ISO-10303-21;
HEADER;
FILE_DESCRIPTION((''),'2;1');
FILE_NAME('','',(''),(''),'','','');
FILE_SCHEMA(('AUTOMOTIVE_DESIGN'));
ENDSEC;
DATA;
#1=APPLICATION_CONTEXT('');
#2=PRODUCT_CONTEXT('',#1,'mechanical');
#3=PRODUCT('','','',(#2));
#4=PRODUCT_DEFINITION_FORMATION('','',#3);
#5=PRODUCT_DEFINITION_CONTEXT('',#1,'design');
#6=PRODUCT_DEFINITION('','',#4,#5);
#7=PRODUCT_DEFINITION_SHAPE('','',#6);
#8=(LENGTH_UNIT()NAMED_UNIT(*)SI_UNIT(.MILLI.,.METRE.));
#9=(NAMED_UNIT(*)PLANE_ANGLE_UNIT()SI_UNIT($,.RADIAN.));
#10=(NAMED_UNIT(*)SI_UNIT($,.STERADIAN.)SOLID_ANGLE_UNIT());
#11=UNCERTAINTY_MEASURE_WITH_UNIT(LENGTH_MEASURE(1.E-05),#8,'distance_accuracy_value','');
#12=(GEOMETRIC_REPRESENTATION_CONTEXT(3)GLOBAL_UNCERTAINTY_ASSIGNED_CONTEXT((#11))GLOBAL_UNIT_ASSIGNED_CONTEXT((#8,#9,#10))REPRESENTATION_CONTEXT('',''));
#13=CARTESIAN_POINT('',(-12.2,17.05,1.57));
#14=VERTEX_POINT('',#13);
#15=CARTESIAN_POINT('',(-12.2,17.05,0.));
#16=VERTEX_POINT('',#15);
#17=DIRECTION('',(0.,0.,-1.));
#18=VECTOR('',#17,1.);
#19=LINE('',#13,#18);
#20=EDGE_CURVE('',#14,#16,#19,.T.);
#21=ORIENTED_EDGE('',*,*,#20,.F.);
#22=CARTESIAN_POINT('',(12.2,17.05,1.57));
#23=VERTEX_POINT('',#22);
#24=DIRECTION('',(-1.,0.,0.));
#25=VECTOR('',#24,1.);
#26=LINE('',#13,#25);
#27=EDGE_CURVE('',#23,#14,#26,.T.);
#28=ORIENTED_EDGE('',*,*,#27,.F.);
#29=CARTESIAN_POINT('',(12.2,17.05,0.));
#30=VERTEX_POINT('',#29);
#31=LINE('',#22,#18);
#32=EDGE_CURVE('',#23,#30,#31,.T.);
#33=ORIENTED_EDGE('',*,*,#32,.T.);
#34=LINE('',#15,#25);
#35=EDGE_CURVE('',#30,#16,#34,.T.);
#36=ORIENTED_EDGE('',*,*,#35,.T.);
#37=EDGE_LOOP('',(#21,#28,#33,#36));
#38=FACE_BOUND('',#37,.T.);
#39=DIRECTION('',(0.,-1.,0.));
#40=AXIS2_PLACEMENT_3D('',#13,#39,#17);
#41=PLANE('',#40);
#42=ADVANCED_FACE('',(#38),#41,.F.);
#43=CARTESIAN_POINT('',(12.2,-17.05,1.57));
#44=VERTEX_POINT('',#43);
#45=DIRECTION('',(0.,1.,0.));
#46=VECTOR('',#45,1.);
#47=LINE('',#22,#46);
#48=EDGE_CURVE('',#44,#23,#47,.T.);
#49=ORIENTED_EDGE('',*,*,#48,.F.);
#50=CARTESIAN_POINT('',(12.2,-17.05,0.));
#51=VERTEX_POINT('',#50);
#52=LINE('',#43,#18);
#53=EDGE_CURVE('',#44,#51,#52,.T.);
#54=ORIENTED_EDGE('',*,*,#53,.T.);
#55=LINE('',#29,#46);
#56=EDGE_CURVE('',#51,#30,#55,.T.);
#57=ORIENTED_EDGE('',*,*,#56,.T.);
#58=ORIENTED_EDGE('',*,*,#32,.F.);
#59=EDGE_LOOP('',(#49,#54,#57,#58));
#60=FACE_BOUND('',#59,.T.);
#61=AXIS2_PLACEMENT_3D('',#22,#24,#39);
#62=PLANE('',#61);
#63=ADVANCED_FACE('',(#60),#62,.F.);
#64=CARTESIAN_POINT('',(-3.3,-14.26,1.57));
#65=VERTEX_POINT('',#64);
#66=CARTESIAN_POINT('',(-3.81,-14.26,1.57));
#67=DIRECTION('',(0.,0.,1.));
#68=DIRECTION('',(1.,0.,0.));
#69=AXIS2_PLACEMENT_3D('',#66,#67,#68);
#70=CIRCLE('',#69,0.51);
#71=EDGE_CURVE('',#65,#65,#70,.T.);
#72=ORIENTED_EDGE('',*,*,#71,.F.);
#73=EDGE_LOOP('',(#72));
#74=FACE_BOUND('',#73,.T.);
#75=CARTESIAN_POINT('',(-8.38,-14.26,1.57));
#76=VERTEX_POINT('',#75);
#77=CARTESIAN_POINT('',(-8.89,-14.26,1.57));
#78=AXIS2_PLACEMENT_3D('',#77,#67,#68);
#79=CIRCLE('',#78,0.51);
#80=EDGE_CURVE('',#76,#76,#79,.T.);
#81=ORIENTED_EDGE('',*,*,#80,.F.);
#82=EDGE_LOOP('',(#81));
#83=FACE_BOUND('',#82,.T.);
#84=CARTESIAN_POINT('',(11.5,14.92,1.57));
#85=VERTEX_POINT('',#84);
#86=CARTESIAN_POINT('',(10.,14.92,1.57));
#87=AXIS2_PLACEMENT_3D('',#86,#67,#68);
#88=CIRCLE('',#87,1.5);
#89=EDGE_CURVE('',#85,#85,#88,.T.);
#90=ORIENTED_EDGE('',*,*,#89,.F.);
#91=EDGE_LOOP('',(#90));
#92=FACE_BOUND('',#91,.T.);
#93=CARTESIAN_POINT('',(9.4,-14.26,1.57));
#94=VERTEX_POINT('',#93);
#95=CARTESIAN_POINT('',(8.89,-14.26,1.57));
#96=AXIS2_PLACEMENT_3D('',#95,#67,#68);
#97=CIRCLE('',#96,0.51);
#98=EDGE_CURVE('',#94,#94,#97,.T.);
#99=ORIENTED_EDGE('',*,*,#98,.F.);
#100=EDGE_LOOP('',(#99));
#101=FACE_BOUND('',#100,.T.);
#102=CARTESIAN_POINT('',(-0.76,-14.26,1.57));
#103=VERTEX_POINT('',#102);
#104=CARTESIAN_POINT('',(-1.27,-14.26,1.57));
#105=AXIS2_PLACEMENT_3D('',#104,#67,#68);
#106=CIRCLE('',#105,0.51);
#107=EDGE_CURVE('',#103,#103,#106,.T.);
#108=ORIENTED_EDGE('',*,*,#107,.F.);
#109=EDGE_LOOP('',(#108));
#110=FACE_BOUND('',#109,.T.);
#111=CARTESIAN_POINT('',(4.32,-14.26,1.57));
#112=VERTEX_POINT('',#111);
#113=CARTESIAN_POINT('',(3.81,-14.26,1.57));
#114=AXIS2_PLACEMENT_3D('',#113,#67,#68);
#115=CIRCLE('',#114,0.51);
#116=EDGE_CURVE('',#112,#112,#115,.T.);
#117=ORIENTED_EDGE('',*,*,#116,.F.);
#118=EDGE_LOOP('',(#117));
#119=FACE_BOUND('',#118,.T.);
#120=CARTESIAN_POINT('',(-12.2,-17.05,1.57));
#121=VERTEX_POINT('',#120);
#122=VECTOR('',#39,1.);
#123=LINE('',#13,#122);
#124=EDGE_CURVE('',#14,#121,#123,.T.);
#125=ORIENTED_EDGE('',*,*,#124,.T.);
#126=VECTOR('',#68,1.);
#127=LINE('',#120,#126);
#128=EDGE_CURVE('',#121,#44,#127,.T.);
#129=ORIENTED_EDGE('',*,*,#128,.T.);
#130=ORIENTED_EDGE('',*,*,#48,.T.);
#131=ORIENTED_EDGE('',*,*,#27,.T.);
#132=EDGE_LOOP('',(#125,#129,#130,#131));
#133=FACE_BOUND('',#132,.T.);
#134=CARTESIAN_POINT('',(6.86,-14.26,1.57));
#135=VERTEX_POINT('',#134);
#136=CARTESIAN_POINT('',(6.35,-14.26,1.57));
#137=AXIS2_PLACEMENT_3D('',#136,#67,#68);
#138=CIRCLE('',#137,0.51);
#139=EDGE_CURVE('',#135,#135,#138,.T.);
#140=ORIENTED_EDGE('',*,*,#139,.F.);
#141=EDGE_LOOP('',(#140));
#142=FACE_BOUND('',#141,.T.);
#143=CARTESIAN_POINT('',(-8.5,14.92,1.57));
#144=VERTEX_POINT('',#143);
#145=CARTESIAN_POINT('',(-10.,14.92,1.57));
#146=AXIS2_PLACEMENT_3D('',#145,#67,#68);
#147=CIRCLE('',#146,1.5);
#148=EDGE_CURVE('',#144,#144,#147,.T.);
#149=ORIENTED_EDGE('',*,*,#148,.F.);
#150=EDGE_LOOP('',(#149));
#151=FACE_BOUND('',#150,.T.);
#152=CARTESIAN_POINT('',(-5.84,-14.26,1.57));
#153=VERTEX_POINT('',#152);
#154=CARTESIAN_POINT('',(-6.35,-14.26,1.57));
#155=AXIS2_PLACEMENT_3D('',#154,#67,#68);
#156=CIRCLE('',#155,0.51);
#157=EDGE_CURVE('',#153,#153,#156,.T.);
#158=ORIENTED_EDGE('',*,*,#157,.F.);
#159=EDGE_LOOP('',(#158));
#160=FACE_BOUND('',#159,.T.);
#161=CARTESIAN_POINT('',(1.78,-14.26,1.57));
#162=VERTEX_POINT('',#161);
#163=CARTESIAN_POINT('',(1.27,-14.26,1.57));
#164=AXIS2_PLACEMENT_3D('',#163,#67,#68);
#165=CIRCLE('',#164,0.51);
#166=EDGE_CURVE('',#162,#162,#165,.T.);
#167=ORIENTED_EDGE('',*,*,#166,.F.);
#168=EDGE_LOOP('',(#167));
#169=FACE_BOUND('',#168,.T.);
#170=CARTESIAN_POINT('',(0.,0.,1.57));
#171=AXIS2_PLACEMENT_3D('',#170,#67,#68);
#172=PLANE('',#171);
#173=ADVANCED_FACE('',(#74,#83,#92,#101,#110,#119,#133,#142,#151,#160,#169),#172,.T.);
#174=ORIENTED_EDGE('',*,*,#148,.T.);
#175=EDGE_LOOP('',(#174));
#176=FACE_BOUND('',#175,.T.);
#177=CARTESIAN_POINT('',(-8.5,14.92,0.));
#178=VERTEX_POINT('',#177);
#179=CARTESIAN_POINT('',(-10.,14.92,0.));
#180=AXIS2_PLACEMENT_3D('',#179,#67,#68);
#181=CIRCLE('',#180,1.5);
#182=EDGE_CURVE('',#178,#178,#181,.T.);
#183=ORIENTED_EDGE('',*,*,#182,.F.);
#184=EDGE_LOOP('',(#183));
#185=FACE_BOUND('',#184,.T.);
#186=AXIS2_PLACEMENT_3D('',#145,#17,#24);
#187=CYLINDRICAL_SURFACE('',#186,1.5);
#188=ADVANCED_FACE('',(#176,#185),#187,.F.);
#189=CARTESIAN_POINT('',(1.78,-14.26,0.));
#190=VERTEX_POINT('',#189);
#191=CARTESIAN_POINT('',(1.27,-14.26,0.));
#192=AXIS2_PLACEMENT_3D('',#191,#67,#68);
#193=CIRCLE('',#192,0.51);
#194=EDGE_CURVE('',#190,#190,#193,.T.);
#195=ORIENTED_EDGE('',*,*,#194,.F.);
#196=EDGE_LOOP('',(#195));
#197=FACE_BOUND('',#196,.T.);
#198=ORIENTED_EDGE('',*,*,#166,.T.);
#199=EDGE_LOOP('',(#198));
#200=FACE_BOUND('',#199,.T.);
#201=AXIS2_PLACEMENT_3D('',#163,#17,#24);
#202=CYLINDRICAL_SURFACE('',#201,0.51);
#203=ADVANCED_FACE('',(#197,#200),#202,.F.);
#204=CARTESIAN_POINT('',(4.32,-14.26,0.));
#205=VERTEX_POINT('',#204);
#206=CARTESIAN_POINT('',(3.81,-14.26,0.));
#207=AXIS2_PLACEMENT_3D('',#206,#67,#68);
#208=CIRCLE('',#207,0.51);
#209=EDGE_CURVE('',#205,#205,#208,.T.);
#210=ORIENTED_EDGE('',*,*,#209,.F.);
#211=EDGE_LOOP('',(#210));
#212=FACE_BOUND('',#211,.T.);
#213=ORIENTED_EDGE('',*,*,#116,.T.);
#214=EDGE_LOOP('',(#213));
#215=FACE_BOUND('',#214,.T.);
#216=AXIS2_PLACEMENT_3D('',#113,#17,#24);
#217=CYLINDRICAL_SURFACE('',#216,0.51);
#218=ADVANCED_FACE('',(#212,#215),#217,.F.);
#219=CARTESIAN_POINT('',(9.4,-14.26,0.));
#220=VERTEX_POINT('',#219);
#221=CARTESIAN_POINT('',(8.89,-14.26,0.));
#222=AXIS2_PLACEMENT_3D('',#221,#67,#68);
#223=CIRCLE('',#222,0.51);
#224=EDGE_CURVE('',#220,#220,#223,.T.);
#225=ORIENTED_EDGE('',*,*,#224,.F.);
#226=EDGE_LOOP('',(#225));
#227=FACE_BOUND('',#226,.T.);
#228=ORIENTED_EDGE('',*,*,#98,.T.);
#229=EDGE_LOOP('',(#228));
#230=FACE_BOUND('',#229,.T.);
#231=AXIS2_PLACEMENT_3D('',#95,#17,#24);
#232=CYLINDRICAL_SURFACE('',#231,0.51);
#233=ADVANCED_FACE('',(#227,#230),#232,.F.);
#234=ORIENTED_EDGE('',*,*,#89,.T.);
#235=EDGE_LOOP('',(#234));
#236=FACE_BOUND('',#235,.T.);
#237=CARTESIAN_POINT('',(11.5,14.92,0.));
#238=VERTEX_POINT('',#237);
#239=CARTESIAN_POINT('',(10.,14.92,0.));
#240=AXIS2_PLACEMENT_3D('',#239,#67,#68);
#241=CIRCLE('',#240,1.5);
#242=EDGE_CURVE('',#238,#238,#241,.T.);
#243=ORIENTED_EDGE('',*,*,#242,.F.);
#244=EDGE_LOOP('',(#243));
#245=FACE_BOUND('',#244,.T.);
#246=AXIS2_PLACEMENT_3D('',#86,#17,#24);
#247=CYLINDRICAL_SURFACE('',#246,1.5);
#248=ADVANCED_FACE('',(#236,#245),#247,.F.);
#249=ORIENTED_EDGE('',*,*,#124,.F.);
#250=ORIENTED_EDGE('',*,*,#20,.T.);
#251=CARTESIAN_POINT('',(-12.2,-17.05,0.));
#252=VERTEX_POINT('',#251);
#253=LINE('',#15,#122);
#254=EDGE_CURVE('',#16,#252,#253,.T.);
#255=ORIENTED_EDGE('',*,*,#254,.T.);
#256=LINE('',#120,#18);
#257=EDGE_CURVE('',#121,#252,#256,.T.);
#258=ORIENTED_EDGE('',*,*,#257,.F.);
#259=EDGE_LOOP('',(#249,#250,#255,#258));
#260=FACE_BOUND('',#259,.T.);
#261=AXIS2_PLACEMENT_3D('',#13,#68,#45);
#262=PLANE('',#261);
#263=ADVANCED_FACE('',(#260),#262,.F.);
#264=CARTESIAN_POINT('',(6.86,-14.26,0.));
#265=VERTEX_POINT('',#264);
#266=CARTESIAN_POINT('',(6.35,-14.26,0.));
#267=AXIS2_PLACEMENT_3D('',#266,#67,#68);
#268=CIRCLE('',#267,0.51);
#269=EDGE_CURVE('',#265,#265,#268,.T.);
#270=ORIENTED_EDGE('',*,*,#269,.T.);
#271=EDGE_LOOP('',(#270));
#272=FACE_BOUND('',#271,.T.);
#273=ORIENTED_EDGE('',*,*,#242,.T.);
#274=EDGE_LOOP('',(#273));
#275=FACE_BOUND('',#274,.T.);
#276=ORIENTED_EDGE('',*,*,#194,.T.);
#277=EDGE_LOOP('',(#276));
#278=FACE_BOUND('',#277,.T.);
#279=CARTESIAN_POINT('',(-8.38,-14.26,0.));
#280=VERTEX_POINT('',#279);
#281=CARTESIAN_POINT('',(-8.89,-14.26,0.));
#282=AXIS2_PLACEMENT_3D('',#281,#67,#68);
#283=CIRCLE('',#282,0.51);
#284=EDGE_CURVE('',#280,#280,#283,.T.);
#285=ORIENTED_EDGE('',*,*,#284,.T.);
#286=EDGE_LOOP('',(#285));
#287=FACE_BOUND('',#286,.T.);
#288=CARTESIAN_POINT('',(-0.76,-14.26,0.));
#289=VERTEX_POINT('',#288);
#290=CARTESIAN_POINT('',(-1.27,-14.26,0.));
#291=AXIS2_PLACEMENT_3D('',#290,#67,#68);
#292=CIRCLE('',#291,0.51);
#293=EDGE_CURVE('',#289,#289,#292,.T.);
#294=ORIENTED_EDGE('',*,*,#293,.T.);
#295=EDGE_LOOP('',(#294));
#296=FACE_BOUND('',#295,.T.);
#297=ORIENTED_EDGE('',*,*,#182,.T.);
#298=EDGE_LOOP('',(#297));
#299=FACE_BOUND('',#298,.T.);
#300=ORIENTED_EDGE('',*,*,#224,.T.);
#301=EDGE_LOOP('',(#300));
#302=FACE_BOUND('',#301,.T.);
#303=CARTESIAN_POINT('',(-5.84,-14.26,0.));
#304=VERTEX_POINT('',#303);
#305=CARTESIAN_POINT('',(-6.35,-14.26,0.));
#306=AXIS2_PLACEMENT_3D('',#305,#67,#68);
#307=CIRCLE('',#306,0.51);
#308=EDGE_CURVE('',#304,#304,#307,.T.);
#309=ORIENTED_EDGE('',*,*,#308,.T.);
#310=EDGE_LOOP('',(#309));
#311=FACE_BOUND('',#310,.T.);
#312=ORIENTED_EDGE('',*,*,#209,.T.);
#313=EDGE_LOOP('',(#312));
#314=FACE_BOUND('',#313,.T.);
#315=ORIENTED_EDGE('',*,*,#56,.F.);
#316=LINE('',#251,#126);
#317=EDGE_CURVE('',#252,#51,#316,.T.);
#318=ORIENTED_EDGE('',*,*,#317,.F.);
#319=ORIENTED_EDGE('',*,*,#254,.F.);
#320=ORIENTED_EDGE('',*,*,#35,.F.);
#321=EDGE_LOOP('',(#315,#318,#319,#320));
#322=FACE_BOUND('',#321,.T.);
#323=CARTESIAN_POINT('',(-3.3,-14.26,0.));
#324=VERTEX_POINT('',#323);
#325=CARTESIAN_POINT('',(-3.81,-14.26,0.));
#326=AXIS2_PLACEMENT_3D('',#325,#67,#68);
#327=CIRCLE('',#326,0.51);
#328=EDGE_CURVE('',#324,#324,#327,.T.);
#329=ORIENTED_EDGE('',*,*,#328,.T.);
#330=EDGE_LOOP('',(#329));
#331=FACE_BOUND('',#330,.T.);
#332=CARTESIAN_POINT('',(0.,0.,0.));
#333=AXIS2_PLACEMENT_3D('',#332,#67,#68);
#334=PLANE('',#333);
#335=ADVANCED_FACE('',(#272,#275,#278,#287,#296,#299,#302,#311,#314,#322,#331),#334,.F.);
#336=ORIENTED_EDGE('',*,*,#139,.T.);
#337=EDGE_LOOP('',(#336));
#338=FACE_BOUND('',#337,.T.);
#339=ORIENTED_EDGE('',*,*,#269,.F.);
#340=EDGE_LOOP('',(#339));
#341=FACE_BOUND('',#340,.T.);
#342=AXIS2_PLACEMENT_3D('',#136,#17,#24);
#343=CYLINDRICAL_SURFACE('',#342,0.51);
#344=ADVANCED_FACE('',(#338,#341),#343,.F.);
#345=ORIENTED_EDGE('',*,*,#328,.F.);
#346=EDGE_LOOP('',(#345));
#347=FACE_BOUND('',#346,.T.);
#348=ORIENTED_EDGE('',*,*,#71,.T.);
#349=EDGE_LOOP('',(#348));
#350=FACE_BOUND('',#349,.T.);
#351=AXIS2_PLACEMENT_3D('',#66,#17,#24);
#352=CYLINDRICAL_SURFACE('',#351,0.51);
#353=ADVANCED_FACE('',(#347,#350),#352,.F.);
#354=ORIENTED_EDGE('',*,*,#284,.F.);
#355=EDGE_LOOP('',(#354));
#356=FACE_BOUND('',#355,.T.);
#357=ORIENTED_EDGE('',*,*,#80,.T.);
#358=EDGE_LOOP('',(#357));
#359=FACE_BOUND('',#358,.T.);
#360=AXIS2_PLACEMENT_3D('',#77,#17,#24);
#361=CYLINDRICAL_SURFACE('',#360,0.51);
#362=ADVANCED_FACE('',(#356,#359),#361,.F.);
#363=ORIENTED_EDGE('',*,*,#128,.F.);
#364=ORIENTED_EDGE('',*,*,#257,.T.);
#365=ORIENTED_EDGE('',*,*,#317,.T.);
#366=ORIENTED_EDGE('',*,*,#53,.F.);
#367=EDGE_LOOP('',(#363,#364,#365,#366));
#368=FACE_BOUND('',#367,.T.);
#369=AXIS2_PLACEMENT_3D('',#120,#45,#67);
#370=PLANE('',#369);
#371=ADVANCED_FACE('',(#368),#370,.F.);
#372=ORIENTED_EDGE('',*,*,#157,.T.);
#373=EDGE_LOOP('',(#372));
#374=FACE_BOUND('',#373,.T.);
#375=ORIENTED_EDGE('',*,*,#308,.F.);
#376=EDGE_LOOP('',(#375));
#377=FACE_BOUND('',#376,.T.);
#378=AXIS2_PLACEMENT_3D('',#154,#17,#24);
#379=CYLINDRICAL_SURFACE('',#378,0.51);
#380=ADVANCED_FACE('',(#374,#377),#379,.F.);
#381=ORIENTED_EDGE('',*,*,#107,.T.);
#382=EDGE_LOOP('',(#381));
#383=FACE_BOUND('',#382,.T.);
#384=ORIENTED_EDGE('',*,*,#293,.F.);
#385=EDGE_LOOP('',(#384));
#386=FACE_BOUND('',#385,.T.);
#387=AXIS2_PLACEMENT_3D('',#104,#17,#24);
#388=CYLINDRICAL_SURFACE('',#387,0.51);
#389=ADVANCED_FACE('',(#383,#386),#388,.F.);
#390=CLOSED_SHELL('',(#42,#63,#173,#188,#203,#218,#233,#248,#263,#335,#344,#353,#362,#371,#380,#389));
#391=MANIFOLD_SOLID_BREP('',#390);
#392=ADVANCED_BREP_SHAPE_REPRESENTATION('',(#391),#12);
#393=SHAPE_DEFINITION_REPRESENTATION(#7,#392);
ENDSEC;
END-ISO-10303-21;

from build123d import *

# Parameters (mm, degrees)
SKETCH1_W           = 24.4
SKETCH1_H           = 34.1
SKETCH1_R           = 1.5
SKETCH1_R_2         = 0.51
BOSS_EXTRUDE1_DEPTH = 1.57


with BuildPart() as part:
    # Sketch1 → Boss-Extrude1 (new body)
    with BuildSketch(Plane.XY):
        Rectangle(SKETCH1_W, SKETCH1_H)
        with Locations((-10, 14.92)):
            Circle(SKETCH1_R, mode=Mode.SUBTRACT)
        with Locations((10, 14.92)):
            Circle(SKETCH1_R, mode=Mode.SUBTRACT)
        with Locations((-8.89, -14.26)):
            Circle(SKETCH1_R_2, mode=Mode.SUBTRACT)
        with Locations((-6.35, -14.26)):
            Circle(SKETCH1_R_2, mode=Mode.SUBTRACT)
        with Locations((-3.81, -14.26)):
            Circle(SKETCH1_R_2, mode=Mode.SUBTRACT)
        with Locations((-1.27, -14.26)):
            Circle(SKETCH1_R_2, mode=Mode.SUBTRACT)
        with Locations((1.27, -14.26)):
            Circle(SKETCH1_R_2, mode=Mode.SUBTRACT)
        with Locations((3.81, -14.26)):
            Circle(SKETCH1_R_2, mode=Mode.SUBTRACT)
        with Locations((6.35, -14.26)):
            Circle(SKETCH1_R_2, mode=Mode.SUBTRACT)
        with Locations((8.89, -14.26)):
            Circle(SKETCH1_R_2, mode=Mode.SUBTRACT)
    extrude(amount=BOSS_EXTRUDE1_DEPTH)


solid = part.part
